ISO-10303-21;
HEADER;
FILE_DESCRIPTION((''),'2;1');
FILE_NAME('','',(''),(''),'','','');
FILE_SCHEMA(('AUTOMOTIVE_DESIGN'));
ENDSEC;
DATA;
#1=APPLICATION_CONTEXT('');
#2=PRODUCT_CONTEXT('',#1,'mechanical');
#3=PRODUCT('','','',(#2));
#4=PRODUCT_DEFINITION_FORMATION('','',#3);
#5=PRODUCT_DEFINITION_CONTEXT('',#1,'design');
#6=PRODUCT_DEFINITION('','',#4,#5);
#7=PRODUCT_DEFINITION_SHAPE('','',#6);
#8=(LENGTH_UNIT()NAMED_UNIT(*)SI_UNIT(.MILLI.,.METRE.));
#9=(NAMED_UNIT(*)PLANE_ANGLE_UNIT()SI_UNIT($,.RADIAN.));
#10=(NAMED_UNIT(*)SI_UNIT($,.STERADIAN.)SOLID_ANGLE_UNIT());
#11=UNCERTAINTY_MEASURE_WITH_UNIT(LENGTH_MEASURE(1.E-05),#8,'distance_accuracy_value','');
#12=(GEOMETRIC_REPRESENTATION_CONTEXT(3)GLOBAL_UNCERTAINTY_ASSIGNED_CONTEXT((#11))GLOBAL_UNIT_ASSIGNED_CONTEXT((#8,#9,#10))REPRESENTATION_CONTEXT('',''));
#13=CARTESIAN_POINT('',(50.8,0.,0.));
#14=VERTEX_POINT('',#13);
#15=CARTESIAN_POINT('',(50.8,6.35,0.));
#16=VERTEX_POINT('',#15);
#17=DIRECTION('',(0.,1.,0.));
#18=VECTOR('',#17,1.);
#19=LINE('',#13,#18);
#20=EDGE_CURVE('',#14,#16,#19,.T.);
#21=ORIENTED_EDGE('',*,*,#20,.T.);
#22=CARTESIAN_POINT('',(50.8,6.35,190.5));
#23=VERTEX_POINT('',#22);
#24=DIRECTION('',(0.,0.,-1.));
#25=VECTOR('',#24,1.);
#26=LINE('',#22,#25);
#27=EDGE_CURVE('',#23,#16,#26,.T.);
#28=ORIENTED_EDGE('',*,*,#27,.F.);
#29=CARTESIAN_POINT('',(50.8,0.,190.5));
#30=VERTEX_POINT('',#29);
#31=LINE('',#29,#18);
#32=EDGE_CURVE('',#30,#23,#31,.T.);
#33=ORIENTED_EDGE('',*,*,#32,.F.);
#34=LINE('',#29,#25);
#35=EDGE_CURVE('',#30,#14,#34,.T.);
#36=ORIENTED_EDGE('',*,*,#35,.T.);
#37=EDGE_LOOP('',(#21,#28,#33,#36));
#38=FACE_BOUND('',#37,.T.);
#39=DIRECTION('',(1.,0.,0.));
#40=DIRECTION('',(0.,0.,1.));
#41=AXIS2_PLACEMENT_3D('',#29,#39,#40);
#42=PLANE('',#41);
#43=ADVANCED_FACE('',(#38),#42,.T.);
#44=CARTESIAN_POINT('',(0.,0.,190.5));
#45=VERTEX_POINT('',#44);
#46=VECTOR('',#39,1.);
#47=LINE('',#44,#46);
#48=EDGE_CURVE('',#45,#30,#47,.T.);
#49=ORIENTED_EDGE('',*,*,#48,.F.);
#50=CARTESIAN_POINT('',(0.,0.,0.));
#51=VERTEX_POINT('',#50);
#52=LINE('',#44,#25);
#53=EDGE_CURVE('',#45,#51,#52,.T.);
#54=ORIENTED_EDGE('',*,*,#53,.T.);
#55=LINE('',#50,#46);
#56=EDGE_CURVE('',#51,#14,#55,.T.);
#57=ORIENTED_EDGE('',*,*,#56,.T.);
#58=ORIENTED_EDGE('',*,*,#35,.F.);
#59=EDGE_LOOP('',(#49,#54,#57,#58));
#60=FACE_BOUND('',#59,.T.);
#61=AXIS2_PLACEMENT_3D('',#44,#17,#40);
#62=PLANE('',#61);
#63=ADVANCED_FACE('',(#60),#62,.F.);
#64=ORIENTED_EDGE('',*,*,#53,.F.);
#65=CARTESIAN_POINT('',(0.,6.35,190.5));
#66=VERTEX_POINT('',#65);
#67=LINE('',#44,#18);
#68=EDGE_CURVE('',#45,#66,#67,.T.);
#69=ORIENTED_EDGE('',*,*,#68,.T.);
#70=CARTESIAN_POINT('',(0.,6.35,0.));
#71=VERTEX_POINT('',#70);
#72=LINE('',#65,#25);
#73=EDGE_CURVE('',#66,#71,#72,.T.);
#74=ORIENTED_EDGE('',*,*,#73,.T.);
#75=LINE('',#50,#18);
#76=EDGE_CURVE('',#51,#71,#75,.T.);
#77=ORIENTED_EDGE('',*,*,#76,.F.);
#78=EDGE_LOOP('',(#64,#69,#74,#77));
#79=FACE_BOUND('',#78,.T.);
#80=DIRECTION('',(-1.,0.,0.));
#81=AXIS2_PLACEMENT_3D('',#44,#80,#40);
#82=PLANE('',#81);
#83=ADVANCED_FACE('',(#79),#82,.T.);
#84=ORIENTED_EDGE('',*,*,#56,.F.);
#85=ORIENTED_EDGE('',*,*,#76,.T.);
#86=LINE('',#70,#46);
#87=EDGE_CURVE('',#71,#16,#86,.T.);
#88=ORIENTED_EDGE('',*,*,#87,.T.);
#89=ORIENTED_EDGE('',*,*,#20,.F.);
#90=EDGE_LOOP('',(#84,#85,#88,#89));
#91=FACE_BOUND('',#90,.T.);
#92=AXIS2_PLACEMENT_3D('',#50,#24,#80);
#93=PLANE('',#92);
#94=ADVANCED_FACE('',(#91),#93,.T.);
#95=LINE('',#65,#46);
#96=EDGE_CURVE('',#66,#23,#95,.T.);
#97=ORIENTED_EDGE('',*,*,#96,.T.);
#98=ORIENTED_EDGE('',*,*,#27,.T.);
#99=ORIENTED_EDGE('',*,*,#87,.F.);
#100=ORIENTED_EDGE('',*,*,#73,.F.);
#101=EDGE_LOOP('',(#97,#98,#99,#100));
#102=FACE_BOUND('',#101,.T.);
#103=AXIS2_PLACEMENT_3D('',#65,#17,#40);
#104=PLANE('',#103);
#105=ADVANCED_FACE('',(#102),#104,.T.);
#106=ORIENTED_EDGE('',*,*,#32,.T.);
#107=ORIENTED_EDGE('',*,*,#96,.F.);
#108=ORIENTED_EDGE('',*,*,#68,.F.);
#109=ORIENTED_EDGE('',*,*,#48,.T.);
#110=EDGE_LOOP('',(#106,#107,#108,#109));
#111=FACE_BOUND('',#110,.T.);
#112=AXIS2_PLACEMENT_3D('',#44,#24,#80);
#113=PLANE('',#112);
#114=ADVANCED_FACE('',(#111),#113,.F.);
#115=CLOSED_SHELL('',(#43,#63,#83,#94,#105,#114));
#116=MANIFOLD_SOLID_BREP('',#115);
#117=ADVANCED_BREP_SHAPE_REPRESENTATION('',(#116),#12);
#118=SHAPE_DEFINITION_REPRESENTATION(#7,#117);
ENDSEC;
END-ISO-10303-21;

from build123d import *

# Parameters (mm, degrees)
SKETCH1_W           = 25.4
SKETCH1_H           = 6.35
BOSS_EXTRUDE1_DEPTH = 190.5


with BuildPart() as part:
    # Sketch1 → Boss-Extrude1 (new body)
    with BuildSketch(Plane.XY):
        with Locations((12.7, 3.175)):
            Rectangle(SKETCH1_W, SKETCH1_H)
    extrude(amount=BOSS_EXTRUDE1_DEPTH)

    # Mirror1: part across plane


with BuildPart() as part_1:
    add(part.part)
    add(part.part.mirror(Plane(origin=(25.4, 0, 190.5), x_dir=(0, 0, 1), z_dir=(-1, 0, 0))))


solid = part_1.part
